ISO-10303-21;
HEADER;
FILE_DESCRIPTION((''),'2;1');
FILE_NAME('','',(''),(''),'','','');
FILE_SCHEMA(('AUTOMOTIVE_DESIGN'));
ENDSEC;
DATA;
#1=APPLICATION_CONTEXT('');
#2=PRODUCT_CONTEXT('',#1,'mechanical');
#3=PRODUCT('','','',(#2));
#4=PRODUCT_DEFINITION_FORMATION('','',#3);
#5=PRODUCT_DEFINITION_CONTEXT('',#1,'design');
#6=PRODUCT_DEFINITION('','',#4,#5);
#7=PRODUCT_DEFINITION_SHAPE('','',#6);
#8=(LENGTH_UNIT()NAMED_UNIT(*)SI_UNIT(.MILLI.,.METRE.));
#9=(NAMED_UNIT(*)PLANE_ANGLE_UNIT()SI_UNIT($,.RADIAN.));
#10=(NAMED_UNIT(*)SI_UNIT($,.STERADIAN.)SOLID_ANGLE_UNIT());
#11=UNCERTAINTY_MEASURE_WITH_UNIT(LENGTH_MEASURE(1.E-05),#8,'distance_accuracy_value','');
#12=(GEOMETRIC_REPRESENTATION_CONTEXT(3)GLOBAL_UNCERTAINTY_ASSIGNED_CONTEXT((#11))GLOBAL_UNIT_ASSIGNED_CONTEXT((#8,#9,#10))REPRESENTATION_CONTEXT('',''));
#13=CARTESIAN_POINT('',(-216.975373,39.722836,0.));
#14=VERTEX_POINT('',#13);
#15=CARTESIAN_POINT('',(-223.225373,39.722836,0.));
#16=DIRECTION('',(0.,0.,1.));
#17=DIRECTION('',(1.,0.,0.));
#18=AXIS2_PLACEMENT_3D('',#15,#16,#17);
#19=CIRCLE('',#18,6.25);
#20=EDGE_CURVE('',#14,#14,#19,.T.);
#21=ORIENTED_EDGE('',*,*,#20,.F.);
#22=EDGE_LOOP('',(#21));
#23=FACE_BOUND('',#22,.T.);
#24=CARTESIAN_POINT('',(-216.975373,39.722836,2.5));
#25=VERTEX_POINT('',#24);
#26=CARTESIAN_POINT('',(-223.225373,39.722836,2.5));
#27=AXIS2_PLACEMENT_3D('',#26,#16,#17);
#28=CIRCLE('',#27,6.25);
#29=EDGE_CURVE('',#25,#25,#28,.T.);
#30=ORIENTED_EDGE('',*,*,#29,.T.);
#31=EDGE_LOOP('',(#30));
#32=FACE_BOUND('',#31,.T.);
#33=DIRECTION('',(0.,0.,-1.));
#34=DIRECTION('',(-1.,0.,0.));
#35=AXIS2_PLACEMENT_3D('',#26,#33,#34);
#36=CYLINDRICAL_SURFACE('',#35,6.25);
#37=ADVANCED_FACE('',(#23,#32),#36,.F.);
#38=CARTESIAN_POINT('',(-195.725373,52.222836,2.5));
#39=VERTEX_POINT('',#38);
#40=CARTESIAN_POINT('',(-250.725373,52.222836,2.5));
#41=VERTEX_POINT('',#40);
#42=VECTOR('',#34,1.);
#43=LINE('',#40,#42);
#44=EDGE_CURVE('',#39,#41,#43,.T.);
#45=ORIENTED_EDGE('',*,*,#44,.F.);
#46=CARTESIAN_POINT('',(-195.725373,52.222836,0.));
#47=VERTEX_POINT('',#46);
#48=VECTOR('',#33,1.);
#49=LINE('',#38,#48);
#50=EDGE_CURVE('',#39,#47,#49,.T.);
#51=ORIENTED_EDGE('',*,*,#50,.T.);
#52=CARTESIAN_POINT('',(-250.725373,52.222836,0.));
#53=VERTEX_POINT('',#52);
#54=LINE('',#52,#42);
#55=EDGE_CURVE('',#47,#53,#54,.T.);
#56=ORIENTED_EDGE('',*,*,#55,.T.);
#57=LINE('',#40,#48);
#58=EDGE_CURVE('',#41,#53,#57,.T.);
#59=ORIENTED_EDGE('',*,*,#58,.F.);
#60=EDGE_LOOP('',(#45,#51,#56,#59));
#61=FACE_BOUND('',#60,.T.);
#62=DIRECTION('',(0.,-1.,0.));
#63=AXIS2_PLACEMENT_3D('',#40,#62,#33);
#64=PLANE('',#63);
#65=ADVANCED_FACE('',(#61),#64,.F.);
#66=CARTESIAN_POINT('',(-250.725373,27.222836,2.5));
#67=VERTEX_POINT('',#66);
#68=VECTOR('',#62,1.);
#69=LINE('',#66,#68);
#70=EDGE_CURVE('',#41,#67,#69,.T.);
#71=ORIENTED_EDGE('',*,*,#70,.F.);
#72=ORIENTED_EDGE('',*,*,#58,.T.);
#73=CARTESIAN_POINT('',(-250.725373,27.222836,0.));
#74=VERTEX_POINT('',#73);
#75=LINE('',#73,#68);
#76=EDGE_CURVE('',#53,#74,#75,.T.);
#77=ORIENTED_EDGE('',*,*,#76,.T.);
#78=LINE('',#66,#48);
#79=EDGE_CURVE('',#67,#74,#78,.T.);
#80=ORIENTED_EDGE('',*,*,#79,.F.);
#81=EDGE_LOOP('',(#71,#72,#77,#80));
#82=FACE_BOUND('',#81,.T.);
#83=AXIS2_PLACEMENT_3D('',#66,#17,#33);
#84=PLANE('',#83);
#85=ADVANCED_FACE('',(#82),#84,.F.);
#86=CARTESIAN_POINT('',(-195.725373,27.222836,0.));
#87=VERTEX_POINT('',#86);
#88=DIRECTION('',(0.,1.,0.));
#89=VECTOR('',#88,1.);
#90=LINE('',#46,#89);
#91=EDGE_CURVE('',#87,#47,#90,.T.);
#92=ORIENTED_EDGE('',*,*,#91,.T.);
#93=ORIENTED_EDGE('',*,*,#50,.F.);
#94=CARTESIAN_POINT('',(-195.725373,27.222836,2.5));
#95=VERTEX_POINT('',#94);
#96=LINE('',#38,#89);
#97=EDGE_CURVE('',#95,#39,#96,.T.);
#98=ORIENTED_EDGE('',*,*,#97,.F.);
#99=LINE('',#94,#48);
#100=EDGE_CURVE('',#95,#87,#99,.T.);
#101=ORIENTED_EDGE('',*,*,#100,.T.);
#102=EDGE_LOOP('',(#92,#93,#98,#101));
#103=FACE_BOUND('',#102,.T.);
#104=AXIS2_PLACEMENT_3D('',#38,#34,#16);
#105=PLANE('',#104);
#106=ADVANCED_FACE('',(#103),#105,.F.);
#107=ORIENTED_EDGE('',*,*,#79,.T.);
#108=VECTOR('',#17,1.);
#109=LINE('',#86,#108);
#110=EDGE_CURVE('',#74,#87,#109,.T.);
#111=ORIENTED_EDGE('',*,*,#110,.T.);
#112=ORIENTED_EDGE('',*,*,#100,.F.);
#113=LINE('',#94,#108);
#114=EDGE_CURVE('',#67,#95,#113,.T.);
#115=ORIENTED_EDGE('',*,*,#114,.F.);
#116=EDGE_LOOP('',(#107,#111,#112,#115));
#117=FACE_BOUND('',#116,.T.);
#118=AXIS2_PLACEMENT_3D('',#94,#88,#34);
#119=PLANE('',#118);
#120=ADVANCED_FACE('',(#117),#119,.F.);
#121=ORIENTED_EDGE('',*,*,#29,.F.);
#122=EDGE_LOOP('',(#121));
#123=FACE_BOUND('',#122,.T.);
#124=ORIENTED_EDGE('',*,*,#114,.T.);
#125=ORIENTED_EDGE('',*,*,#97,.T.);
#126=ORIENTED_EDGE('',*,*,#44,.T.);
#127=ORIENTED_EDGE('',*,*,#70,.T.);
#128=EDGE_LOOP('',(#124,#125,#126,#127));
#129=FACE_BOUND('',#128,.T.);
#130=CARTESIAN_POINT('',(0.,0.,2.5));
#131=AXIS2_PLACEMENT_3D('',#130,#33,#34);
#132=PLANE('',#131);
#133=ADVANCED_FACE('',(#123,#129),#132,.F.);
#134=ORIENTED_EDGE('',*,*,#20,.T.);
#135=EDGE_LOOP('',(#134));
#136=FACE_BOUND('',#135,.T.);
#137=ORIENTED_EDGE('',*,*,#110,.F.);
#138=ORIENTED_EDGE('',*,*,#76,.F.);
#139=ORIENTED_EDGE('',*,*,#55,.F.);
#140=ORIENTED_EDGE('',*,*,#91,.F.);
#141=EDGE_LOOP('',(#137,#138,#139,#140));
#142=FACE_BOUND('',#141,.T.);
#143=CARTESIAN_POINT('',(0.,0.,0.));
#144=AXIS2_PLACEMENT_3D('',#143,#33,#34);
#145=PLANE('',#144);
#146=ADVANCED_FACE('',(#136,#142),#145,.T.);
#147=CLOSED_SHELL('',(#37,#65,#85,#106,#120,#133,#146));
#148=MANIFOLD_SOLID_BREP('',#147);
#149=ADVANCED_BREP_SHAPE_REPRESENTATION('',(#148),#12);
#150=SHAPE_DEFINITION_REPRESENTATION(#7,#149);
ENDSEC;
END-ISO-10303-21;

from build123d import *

# Parameters (mm, degrees)
SKETCH1_W           = 11
SKETCH1_H           = 5
SKETCH1_R           = 1.25
BOSS_EXTRUDE1_DEPTH = 0.5
SCALE2_SCALE        = 5


with BuildPart() as part:
    # Sketch1 → Boss-Extrude1 (new body)
    with BuildSketch(Plane.XY):
        with Locations((-44.645074627, 7.944567164)):
            Rectangle(SKETCH1_W, SKETCH1_H)
        with Locations((-44.645074627, 7.944567164)):
            Circle(SKETCH1_R, mode=Mode.SUBTRACT)
    extrude(amount=BOSS_EXTRUDE1_DEPTH)


with BuildPart() as part_1:
    # Scale2: scaled about (0, 0, 0)
    add(part.part.scale(SCALE2_SCALE))


solid = part_1.part
